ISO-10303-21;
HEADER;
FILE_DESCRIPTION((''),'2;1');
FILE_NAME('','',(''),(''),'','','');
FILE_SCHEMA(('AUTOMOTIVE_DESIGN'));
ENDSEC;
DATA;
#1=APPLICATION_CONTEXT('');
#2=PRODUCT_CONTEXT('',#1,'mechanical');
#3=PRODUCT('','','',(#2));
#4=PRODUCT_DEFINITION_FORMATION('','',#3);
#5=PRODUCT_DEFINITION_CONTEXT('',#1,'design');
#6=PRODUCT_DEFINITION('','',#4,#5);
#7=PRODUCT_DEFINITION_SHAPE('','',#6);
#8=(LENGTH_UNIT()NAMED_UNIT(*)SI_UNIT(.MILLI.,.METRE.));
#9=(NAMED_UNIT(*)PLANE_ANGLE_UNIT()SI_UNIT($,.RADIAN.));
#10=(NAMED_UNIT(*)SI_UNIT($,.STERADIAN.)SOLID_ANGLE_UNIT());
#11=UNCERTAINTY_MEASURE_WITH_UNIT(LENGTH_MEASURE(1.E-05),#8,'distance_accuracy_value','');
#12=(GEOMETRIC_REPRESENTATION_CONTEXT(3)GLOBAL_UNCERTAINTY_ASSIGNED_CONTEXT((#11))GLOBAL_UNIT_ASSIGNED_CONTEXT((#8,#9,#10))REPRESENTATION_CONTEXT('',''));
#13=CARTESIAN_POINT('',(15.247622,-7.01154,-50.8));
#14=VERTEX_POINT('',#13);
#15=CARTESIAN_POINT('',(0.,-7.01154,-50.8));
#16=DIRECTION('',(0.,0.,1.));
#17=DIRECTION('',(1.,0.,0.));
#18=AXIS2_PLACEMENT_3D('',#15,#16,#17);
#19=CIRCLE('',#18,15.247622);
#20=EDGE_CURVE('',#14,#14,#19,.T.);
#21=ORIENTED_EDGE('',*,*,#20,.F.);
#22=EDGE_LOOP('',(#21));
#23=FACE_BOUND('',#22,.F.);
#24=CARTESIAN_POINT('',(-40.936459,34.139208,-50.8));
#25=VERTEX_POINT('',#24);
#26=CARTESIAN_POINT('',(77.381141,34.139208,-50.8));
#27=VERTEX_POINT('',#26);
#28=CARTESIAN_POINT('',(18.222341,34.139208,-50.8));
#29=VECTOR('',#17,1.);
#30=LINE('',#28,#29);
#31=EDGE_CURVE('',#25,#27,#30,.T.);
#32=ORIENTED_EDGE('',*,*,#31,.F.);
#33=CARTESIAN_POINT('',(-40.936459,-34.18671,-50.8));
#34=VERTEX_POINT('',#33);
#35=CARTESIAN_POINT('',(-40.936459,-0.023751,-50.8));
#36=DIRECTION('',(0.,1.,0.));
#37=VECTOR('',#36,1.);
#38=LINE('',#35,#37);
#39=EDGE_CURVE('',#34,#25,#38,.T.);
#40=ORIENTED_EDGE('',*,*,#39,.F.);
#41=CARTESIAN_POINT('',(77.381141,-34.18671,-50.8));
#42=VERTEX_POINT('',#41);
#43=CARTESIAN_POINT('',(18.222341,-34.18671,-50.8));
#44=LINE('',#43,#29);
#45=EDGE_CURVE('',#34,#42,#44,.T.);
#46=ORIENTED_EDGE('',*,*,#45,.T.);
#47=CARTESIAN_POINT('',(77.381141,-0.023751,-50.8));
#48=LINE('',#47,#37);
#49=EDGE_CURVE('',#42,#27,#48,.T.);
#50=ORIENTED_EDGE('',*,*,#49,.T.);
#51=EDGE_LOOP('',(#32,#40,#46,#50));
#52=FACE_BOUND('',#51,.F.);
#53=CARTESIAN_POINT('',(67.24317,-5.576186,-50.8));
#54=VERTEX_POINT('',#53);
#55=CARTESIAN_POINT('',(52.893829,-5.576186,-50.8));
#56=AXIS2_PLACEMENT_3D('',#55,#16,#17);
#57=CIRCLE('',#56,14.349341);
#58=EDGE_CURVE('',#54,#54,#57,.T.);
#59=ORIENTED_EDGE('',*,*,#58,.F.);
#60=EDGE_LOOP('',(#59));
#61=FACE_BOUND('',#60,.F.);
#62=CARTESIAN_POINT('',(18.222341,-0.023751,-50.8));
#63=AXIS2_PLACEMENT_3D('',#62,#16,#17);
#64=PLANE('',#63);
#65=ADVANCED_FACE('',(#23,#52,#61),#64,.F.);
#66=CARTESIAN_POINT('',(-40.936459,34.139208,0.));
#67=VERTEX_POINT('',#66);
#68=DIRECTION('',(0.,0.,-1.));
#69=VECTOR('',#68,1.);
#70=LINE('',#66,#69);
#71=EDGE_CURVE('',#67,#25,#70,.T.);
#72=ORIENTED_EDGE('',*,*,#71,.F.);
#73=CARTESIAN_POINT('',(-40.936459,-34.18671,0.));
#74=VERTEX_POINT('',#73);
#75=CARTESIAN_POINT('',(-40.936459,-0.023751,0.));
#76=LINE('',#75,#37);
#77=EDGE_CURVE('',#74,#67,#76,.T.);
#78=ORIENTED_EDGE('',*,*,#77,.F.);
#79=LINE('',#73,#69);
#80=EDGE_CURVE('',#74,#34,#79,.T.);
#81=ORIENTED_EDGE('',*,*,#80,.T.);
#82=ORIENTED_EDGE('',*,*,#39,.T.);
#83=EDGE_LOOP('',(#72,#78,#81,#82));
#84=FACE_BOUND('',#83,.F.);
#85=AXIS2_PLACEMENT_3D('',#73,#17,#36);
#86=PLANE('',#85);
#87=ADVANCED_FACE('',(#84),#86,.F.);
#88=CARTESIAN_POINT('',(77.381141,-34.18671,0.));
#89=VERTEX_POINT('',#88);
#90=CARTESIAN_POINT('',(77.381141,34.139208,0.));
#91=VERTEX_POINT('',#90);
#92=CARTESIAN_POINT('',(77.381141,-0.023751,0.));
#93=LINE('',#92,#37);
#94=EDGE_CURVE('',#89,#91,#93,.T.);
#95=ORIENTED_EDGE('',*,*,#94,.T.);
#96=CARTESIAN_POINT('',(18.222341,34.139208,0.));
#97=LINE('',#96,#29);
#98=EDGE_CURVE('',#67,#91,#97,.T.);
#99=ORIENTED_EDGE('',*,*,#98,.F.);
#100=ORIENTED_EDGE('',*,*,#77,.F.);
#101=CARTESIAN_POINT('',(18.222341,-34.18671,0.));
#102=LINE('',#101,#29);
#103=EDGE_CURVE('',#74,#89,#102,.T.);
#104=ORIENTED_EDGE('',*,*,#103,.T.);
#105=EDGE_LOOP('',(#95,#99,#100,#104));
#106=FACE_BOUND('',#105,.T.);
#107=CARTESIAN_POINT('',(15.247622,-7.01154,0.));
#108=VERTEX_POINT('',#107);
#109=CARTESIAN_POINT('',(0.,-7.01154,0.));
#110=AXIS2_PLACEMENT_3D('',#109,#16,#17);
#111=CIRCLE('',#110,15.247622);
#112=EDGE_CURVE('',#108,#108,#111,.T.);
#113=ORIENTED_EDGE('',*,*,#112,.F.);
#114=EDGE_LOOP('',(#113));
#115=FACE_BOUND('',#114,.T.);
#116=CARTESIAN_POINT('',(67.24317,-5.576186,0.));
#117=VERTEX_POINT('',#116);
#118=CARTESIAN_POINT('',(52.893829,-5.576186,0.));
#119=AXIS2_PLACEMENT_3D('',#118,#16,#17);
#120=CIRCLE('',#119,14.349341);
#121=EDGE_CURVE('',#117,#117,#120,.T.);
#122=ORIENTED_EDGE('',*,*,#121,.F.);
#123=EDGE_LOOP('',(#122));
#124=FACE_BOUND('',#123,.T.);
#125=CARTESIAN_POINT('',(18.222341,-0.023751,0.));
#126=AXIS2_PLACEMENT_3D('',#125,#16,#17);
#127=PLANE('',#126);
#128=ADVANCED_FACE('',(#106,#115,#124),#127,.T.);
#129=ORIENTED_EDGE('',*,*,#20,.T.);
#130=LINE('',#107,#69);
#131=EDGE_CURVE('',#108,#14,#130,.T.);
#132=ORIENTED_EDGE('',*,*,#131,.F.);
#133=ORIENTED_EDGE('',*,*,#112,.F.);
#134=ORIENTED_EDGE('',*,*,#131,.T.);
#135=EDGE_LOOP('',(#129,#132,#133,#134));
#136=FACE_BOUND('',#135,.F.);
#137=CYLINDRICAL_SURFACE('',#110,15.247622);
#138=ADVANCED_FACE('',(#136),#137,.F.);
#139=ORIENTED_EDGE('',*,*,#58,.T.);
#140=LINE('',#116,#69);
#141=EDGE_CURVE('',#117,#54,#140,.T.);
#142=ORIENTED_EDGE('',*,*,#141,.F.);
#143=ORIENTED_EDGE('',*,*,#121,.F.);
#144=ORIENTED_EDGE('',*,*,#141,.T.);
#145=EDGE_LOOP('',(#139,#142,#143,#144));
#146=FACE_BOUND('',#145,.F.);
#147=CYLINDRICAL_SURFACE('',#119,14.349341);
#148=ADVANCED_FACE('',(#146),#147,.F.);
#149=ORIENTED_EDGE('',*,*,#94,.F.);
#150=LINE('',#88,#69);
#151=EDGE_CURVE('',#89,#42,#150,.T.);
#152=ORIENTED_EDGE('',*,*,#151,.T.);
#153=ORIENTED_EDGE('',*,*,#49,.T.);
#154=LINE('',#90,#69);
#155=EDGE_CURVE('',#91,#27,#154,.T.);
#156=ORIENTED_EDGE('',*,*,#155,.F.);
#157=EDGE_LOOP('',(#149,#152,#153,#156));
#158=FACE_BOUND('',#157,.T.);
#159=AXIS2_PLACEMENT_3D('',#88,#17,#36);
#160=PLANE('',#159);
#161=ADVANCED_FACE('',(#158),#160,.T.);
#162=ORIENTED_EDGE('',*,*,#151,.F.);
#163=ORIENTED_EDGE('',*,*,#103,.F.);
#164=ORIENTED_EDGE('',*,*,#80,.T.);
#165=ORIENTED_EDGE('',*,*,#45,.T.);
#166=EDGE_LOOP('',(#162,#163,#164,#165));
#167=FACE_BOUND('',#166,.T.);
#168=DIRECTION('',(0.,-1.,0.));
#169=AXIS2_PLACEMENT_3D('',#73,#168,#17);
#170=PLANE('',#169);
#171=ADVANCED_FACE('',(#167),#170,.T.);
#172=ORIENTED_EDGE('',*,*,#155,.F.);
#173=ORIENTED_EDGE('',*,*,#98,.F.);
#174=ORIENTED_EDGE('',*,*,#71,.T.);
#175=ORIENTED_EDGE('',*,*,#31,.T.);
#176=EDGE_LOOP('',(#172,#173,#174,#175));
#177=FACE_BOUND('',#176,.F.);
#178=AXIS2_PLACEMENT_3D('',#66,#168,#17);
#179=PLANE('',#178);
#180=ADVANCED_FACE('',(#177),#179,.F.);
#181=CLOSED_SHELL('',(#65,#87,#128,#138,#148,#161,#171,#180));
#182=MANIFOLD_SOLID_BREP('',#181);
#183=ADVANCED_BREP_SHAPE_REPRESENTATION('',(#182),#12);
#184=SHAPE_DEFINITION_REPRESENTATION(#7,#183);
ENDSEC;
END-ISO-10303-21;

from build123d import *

# Parameters (mm, degrees)
F0_W     = 118.3176
F0_H     = 68.325918
F0_R     = 15.247622
F0_R_2   = 14.349341
F1_DEPTH = 50.8


with BuildPart() as f1:
    # F0 (on Top) → F1 (new body)
    with BuildSketch(Plane.XY):
        with Locations((18.222341, -0.023751)):
            Rectangle(F0_W, F0_H)
        with Locations((0, -7.01154)):
            Circle(F0_R, mode=Mode.SUBTRACT)
        with Locations((52.893829, -5.576186)):
            Circle(F0_R_2, mode=Mode.SUBTRACT)
    extrude(amount=-F1_DEPTH)


solid = f1.part
